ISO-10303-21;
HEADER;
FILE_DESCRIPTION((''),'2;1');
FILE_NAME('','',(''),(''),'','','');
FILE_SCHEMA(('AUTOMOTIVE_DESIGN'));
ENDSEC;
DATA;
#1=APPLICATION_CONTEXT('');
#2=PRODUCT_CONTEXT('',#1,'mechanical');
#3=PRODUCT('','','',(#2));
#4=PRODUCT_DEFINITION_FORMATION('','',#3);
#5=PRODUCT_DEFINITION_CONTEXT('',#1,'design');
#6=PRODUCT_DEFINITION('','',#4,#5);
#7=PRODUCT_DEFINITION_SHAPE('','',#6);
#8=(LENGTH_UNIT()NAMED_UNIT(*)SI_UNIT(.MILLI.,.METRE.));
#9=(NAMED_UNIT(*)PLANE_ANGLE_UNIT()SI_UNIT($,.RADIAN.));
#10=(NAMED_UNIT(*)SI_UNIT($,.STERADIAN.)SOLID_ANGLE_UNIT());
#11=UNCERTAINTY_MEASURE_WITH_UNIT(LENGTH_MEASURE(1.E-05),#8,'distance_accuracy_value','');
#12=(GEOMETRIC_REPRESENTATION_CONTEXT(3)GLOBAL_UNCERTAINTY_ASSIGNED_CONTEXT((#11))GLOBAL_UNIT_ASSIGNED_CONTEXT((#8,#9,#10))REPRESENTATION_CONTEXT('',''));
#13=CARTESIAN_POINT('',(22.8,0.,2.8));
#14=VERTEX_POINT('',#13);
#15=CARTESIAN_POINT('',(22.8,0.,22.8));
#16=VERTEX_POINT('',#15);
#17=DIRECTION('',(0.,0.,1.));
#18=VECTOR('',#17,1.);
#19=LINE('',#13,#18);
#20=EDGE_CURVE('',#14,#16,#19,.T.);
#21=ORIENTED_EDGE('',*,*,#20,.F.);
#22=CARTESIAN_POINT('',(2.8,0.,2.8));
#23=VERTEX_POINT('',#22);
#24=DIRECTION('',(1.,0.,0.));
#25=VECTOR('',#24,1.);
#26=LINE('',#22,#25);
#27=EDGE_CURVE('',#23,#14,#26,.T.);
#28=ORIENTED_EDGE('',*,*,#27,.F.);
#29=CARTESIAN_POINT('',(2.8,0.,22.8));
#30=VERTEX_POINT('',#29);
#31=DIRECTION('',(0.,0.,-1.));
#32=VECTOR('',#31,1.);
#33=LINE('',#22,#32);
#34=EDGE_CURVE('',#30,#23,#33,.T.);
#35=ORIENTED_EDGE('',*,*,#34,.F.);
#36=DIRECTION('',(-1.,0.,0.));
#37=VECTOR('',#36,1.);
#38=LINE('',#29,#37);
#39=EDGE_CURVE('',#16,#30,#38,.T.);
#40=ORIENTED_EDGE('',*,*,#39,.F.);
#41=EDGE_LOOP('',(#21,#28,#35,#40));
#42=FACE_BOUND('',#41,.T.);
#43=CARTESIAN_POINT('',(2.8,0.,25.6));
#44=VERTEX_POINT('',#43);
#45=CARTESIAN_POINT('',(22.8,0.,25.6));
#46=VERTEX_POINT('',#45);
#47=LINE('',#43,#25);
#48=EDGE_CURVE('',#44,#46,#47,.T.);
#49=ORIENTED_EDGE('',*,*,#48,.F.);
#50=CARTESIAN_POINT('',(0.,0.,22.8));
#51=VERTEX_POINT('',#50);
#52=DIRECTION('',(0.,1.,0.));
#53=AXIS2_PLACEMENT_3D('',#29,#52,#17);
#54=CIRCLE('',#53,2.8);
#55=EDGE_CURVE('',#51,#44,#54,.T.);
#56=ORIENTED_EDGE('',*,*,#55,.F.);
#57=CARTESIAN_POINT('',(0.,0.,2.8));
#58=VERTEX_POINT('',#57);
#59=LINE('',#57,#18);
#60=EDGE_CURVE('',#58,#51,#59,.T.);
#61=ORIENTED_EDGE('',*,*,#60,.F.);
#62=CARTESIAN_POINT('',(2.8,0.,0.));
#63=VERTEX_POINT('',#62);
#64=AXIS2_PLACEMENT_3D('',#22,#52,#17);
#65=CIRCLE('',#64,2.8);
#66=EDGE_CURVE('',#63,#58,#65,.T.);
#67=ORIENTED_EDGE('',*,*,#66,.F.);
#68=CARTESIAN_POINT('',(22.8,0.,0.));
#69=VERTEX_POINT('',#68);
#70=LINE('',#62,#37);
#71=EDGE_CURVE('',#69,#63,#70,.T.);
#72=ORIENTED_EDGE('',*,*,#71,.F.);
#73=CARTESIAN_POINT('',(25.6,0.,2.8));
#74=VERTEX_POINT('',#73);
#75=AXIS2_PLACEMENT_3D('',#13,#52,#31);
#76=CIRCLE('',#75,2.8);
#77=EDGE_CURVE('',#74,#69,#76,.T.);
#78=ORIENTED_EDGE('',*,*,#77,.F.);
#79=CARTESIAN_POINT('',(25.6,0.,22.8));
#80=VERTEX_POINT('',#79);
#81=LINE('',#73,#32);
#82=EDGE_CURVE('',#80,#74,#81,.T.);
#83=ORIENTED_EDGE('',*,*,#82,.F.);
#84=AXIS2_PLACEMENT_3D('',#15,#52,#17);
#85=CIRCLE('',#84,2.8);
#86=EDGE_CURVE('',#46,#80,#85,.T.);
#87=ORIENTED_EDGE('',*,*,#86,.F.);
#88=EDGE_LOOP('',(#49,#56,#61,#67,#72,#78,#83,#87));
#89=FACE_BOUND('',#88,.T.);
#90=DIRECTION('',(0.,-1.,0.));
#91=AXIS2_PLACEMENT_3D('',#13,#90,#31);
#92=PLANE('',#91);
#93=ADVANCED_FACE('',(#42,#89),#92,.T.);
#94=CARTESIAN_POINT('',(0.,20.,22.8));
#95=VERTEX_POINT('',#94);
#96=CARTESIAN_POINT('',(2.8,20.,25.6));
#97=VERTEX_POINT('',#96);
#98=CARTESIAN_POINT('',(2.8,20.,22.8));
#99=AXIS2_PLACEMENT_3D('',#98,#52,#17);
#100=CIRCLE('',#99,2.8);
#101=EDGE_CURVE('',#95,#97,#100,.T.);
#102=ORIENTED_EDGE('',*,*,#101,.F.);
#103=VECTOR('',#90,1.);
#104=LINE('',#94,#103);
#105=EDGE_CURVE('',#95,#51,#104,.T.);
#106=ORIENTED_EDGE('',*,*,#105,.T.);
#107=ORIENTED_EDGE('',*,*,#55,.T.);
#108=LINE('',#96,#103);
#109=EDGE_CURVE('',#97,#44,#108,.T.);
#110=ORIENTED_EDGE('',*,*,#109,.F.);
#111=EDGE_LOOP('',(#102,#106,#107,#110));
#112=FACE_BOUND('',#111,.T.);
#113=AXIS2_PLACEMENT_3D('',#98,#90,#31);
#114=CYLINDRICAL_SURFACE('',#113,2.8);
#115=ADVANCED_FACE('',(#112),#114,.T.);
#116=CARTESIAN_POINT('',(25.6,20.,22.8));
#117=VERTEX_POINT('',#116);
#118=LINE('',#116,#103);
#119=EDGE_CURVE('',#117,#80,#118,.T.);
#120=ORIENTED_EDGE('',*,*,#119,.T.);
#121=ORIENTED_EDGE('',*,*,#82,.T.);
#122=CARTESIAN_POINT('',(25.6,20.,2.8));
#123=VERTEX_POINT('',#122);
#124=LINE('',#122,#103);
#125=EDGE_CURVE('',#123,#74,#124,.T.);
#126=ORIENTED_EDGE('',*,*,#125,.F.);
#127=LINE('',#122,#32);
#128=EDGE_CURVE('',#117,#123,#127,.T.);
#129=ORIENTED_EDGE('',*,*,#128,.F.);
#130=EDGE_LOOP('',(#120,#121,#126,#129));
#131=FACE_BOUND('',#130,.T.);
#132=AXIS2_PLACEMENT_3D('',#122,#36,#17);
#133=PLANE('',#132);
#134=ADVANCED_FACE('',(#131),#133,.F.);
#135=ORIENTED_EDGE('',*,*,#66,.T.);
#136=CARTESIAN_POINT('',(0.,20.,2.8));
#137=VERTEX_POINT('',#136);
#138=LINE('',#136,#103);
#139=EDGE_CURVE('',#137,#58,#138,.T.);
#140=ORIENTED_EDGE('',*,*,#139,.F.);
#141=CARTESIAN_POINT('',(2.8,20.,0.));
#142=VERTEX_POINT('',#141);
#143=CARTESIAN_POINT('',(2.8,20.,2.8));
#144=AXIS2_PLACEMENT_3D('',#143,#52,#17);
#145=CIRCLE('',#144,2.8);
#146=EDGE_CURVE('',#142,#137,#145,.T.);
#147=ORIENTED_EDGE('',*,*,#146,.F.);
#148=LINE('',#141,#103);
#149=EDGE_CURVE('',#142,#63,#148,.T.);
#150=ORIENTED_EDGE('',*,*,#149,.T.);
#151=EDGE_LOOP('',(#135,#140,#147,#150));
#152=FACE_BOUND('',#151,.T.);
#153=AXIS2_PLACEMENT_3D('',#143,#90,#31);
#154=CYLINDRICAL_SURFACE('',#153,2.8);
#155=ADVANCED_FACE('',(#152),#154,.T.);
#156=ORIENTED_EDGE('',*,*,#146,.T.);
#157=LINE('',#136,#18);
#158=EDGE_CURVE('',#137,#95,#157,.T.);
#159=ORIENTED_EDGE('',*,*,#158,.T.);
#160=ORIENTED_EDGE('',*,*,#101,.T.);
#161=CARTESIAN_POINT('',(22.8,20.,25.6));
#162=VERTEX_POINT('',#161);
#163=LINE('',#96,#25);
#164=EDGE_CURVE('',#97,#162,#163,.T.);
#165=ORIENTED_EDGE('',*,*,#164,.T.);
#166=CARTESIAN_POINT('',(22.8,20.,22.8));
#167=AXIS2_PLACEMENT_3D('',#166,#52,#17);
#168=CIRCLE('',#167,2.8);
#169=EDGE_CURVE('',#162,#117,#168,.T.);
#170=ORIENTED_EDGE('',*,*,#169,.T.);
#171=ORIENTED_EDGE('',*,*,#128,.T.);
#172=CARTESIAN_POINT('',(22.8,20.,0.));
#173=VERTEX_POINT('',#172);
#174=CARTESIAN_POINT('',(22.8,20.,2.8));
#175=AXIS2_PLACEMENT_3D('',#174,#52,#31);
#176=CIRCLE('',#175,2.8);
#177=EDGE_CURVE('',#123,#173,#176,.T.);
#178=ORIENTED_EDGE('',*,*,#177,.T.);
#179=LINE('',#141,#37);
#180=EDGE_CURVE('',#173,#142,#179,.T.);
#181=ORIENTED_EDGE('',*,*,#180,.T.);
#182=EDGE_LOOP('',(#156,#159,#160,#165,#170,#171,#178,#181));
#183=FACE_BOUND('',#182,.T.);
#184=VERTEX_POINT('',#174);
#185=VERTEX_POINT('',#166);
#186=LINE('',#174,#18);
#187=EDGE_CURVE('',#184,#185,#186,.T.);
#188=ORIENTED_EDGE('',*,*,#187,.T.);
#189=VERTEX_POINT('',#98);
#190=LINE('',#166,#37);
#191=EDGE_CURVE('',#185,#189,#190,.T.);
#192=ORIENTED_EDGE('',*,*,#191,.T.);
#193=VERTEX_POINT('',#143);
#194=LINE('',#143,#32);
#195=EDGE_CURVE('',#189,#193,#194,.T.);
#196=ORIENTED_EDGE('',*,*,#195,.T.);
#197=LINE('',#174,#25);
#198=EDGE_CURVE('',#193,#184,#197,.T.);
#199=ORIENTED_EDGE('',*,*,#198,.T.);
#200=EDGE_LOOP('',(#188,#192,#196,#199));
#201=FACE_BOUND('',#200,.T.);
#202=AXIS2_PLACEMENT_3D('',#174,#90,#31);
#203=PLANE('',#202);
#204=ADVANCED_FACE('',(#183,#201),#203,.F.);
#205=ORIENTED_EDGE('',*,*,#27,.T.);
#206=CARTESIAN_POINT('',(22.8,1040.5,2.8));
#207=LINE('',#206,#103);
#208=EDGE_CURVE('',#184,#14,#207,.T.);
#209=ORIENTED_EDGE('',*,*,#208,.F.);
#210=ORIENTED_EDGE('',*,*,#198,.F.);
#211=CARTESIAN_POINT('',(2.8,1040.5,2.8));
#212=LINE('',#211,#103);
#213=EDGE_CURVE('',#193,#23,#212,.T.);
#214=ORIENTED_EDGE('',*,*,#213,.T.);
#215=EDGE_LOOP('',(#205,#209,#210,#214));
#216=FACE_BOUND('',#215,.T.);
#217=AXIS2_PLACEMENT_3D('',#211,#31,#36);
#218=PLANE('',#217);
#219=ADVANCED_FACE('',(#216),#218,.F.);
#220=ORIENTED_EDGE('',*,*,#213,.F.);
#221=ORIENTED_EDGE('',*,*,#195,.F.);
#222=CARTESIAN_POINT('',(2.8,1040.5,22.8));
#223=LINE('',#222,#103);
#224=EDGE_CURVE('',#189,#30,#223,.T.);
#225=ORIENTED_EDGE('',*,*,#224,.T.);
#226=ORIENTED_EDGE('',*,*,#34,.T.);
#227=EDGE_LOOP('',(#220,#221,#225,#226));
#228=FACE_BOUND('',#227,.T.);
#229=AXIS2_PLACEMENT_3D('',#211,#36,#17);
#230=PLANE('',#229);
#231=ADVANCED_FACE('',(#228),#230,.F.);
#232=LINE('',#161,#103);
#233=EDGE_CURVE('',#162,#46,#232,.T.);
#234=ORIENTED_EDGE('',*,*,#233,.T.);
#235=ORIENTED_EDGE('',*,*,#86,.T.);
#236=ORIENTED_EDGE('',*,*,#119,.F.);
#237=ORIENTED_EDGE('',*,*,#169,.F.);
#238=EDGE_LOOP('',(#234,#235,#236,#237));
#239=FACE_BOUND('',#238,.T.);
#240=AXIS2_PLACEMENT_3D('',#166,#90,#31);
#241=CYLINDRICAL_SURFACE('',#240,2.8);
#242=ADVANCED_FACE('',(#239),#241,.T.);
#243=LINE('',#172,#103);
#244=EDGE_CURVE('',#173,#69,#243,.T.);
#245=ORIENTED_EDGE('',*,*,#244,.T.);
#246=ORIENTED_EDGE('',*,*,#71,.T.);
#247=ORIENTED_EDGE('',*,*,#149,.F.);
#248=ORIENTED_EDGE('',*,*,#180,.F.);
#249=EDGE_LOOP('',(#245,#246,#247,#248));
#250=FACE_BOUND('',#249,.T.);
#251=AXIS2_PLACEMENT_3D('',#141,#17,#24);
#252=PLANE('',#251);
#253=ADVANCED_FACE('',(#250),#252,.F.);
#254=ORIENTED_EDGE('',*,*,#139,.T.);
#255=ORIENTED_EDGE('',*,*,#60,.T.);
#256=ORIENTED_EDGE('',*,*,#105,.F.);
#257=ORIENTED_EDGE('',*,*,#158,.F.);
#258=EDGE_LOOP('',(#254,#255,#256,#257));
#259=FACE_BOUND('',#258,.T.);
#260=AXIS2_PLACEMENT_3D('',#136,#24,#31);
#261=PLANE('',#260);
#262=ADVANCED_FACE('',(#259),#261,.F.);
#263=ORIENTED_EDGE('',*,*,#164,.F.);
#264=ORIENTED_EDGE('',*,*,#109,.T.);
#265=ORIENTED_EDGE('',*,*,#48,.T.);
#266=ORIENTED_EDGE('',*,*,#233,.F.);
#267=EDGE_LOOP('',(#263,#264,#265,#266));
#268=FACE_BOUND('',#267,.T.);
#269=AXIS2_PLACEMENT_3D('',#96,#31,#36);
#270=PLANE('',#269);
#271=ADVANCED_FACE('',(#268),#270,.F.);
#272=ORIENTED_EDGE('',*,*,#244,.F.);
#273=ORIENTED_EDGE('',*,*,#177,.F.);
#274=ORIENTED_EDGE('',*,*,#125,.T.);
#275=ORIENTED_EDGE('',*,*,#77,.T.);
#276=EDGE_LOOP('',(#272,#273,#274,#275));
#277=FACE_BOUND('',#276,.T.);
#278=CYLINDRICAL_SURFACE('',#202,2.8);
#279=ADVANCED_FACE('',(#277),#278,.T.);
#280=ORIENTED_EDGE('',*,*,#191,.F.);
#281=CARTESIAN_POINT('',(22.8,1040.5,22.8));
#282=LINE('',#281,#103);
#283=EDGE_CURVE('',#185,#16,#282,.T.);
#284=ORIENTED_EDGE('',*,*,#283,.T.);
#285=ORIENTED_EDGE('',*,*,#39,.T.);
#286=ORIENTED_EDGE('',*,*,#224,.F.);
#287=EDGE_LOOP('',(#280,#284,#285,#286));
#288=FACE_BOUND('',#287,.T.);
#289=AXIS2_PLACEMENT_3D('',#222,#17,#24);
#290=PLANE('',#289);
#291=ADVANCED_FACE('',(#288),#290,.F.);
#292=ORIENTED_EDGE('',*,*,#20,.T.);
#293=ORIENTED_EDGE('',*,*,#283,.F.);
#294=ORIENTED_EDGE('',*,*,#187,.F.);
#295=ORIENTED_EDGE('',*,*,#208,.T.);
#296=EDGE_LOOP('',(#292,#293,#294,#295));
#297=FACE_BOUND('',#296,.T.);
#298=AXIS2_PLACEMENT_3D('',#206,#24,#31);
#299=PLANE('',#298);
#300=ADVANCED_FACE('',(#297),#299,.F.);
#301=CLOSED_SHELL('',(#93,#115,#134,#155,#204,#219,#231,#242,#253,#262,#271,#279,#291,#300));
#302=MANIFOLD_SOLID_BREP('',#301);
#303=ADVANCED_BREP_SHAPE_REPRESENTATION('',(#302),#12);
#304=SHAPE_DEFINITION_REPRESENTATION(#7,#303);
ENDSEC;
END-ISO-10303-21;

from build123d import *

# Parameters (mm, degrees)
BOSS_EXTRUDE1_DEPTH = 20
SKETCH3_W           = 20
SKETCH3_H           = 20
CUT_EXTRUDE1_DEPTH  = 1040.5


with BuildPart() as part:
    # Sketch1 → Boss-Extrude1 (new body)
    with BuildSketch(Plane(origin=(0, 0, 0), x_dir=(1, 0, 0), z_dir=(0, 1, 0))):
        with BuildLine():
            Line((2.8, 0), (22.8, 0))
            ThreePointArc((22.8, 0), (24.779898987, -0.820101013), (25.6, -2.8))
            Line((25.6, -2.8), (25.6, -22.8))
            ThreePointArc((25.6, -22.8), (24.779898987, -24.779898987), (22.8, -25.6))
            Line((22.8, -25.6), (2.8, -25.6))
            ThreePointArc((2.8, -25.6), (0.820101013, -24.779898987), (0, -22.8))
            Line((0, -22.8), (0, -2.8))
            ThreePointArc((0, -2.8), (0.820101013, -0.820101013), (2.8, 0))
        make_face()
    extrude(amount=BOSS_EXTRUDE1_DEPTH)

    # Sketch3 → Cut-Extrude1 (cut)
    with BuildSketch(Plane(origin=(0, 0, 0), x_dir=(-1, 0, 0), z_dir=(0, -1, 0))):
        with Locations((-12.8, -12.8)):
            Rectangle(SKETCH3_W, SKETCH3_H)
    extrude(amount=-CUT_EXTRUDE1_DEPTH, mode=Mode.SUBTRACT)


solid = part.part
